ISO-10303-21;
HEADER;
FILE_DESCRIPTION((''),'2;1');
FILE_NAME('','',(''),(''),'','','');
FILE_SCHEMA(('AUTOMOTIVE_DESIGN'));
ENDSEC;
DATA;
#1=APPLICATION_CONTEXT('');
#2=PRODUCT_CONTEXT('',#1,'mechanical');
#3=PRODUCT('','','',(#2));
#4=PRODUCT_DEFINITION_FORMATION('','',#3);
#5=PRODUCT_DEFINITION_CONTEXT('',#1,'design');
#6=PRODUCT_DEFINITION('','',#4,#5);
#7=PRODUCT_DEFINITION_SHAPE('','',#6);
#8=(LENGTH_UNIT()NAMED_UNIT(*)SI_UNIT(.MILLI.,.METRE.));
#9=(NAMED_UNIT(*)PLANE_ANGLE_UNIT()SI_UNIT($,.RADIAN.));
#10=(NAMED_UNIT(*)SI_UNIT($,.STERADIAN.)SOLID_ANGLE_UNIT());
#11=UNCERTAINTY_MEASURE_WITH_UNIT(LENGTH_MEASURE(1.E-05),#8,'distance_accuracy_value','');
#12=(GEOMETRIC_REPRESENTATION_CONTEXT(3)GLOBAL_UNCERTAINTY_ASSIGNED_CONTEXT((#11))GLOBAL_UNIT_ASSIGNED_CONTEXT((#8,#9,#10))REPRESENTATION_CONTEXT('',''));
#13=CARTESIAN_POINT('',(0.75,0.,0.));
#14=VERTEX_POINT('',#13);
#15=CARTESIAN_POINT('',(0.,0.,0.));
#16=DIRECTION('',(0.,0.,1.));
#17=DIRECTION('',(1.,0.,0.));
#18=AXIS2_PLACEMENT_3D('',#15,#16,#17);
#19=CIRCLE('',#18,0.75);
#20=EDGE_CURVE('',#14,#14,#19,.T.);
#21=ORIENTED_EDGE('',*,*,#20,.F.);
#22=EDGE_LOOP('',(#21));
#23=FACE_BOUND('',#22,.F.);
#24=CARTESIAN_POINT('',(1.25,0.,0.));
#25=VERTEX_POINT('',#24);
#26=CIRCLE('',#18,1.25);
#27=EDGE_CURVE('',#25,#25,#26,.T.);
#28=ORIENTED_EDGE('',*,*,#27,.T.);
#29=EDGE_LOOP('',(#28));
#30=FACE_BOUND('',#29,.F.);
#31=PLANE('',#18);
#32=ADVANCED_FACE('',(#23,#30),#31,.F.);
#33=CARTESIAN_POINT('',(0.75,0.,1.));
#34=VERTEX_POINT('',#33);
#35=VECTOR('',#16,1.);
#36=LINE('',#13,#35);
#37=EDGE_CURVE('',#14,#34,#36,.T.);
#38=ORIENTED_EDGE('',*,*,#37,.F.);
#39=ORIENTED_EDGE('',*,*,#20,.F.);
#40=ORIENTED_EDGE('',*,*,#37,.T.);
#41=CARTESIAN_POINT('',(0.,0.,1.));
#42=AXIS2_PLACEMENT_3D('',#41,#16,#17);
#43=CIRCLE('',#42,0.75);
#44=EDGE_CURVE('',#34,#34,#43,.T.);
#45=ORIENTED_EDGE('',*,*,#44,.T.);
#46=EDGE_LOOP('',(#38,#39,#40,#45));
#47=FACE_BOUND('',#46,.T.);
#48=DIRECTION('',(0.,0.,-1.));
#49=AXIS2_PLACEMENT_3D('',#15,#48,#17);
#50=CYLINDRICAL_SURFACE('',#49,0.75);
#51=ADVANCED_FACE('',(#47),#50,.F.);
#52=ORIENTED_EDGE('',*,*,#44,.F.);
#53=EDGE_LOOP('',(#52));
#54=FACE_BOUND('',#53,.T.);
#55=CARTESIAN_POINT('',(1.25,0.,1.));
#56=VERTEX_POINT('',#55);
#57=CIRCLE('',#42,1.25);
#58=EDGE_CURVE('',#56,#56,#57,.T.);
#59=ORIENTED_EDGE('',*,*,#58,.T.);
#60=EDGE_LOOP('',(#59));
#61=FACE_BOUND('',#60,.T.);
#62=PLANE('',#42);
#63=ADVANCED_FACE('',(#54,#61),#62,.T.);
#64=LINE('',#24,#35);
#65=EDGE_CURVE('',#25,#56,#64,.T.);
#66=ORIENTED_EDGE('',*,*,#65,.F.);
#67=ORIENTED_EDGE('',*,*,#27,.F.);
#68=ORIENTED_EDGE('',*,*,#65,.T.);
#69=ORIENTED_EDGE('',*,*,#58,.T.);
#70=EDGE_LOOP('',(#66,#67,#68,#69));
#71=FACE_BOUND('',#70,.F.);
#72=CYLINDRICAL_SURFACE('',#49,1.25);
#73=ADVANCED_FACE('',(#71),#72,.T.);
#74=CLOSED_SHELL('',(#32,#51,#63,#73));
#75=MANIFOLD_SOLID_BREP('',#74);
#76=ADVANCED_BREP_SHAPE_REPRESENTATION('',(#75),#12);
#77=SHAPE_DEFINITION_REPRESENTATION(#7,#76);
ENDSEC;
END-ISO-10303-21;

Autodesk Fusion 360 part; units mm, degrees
sketch "スケッチ1" plane through (0, 0, 0) normal (0, 0, 1) x (1, 0, 0)
  circle A0 centre (0, 0) radius 1.25
  circle A1 centre (0, 0) radius 0.75
  dimension "d1" = 2.5
  dimension "d2" = 1.5
extrude "押し出し1" add sketch "スケッチ1" along normal blind 1
